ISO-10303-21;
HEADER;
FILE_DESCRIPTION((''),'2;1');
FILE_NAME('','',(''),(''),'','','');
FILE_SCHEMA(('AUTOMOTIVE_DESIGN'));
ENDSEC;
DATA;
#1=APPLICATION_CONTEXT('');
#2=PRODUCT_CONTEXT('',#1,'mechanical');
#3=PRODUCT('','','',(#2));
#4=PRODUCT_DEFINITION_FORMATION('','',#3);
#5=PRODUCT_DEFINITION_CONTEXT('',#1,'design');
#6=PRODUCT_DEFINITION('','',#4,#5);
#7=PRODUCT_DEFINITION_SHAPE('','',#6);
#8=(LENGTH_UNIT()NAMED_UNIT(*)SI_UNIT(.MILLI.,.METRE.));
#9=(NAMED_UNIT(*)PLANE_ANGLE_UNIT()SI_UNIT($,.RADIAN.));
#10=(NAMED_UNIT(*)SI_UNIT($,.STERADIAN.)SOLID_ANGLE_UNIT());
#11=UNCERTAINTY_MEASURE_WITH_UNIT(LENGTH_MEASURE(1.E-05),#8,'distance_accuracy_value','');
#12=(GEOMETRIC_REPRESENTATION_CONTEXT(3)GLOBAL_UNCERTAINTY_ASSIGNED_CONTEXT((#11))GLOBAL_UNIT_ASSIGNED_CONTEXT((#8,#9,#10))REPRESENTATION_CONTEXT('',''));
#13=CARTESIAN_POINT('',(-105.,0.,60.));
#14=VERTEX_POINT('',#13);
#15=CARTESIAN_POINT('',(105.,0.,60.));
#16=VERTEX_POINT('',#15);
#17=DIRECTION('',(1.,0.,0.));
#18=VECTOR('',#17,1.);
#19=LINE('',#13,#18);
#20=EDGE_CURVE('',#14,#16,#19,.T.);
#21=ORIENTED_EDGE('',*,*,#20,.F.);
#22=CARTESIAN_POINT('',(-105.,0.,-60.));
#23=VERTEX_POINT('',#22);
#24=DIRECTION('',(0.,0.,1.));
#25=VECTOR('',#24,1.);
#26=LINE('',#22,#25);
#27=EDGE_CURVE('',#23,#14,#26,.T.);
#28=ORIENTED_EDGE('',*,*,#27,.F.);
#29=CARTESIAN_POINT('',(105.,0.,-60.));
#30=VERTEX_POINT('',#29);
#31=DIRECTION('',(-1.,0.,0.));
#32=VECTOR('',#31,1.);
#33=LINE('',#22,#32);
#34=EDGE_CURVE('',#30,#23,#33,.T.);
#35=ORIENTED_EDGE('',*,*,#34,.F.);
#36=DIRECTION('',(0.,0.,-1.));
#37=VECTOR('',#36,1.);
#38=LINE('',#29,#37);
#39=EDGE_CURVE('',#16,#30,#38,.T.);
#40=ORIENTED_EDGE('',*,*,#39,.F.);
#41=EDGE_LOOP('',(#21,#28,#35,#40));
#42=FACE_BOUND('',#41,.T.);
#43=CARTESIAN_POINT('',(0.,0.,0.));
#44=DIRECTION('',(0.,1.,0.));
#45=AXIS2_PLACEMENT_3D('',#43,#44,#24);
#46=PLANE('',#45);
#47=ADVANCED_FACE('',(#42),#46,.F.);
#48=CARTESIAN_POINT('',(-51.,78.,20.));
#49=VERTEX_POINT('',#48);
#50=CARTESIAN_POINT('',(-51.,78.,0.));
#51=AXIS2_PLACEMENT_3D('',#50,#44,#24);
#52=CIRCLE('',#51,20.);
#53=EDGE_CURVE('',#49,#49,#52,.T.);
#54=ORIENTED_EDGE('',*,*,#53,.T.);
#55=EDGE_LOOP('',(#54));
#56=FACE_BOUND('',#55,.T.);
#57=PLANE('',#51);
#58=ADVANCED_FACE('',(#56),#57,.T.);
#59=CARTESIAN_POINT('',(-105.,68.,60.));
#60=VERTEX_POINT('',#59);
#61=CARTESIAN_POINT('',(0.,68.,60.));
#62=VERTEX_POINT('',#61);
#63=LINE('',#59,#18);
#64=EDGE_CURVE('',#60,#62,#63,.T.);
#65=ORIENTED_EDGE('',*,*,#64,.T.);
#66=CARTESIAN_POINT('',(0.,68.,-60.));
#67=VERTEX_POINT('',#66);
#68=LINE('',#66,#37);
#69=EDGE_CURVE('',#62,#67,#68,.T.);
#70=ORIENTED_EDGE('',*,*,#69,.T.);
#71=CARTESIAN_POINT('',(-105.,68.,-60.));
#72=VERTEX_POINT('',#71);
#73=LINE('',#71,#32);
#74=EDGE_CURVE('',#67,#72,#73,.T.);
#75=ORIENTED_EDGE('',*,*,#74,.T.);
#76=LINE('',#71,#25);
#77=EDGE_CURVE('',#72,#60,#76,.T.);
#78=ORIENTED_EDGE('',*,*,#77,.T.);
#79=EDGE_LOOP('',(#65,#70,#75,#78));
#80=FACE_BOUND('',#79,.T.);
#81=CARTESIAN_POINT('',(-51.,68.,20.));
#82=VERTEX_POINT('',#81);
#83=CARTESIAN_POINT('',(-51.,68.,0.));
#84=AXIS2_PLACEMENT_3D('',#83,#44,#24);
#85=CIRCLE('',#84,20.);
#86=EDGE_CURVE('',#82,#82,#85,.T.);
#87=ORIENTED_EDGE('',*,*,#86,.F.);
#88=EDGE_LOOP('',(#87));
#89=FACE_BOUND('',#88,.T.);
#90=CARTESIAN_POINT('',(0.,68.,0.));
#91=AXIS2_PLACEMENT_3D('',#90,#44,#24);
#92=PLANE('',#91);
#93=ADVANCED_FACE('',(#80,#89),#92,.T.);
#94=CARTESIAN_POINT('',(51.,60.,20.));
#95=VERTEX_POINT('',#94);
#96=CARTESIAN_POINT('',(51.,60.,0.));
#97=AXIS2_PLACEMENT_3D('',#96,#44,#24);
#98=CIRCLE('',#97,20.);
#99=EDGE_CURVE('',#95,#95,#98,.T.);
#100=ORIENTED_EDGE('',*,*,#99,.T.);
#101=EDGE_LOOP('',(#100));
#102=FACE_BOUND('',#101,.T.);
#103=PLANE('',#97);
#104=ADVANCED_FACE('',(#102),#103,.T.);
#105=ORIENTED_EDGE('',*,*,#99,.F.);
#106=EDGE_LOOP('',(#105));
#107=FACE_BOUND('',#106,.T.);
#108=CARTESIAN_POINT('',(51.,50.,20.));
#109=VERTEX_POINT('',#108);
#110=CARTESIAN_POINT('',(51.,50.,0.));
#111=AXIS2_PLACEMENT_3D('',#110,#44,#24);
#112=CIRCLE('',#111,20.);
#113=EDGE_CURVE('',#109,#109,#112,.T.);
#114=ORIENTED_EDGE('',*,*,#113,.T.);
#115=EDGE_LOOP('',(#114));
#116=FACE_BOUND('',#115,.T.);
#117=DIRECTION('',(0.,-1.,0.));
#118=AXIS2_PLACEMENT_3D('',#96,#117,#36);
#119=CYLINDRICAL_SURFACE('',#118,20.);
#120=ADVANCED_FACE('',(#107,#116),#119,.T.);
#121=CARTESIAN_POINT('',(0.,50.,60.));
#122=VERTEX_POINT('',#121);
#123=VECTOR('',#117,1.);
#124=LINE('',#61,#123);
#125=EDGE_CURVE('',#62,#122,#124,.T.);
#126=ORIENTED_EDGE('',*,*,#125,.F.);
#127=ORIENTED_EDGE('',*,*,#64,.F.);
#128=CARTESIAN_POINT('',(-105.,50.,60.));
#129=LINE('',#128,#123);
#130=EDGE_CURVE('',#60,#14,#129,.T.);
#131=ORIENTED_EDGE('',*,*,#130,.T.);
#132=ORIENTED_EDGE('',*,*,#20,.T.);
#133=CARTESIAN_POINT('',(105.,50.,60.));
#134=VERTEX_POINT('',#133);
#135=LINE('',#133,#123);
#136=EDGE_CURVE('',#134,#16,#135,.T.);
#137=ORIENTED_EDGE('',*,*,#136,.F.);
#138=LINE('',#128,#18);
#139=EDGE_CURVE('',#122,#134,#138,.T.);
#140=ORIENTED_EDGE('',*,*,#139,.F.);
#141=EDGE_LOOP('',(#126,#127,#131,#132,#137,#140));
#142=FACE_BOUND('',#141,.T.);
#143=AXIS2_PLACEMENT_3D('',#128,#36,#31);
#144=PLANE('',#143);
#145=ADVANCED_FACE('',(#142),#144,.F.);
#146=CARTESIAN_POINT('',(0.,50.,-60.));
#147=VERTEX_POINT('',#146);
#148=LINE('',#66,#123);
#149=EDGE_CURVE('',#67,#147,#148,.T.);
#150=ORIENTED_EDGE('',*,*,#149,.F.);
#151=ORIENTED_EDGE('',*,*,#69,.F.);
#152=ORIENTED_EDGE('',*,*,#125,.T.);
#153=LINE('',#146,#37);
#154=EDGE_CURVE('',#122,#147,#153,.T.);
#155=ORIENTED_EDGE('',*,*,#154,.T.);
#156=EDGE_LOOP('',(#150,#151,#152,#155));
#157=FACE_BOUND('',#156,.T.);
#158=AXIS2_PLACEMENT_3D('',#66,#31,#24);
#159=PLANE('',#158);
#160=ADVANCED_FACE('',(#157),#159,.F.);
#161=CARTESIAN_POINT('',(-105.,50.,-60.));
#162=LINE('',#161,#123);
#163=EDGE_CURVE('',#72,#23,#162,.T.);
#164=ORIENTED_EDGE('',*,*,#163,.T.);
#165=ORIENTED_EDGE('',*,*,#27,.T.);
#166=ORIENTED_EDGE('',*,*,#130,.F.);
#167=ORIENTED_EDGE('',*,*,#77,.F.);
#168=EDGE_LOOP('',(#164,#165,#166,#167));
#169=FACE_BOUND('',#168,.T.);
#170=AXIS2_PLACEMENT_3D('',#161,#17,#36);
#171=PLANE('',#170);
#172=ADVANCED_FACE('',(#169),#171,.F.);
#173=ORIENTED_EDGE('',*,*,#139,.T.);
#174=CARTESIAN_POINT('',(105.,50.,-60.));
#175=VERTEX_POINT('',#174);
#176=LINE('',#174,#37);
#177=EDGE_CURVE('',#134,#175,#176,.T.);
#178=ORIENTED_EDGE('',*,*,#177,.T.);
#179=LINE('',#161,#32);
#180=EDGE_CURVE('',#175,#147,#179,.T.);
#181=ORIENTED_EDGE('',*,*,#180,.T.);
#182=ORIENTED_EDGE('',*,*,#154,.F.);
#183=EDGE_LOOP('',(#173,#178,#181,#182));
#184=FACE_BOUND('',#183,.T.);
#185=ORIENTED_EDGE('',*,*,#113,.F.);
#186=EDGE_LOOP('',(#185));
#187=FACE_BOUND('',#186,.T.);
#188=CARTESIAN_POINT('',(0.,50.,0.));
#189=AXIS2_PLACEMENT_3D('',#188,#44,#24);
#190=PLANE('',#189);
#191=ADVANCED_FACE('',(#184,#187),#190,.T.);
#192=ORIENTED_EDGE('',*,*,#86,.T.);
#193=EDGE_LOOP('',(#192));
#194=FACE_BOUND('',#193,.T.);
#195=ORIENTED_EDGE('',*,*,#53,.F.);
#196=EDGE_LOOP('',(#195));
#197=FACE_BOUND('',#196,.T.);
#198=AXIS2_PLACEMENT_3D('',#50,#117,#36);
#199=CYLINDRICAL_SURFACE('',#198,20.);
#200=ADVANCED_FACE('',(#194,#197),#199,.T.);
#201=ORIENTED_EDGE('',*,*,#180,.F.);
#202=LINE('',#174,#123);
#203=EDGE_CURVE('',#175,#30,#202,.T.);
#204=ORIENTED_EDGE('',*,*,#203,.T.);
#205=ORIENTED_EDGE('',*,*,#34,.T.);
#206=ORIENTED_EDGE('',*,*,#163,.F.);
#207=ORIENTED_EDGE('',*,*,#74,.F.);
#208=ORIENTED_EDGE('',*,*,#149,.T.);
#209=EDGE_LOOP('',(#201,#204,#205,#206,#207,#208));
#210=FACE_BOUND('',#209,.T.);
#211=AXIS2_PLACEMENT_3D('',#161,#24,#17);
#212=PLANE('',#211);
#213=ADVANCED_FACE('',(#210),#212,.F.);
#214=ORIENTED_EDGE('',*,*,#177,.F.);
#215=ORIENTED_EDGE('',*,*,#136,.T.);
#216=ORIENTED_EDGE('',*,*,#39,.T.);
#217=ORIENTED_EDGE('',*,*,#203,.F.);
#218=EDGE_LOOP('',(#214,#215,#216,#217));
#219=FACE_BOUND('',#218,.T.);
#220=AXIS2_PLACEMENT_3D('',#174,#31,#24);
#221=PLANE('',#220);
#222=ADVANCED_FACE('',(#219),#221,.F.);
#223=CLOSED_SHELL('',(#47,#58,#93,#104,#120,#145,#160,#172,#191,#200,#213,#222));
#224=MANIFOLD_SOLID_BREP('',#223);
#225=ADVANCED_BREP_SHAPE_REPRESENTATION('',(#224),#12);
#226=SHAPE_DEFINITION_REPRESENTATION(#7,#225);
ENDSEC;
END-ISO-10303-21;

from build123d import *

# Parameters (mm, degrees)
SKETCH1_W           = 210
SKETCH1_H           = 120
BOSS_EXTRUDE1_DEPTH = 50
SKETCH2_W           = 105
SKETCH2_H           = 120
BOSS_EXTRUDE2_DEPTH = 18
SKETCH3_R           = 20
BOSS_EXTRUDE3_DEPTH = 10
SKETCH4_R           = 20
BOSS_EXTRUDE4_DEPTH = 10


with BuildPart() as part:
    # Sketch1 → Boss-Extrude1 (new body)
    with BuildSketch(Plane(origin=(0, 0, 0), x_dir=(1, 0, 0), z_dir=(0, 1, 0))):
        Rectangle(SKETCH1_W, SKETCH1_H)
    extrude(amount=BOSS_EXTRUDE1_DEPTH)

    # Sketch2 → Boss-Extrude2 (add)
    with BuildSketch(Plane(origin=(0, 50, 0), x_dir=(1, 0, 0), z_dir=(0, 1, 0))):
        with Locations((-52.5, 0)):
            Rectangle(SKETCH2_W, SKETCH2_H)
    extrude(amount=BOSS_EXTRUDE2_DEPTH)

    # Sketch3 → Boss-Extrude3 (add)
    with BuildSketch(Plane(origin=(0, 68, 0), x_dir=(1, 0, 0), z_dir=(0, 1, 0))):
        with Locations(Location((-51, 0, 0), (0, 0, 270))):
            Circle(SKETCH3_R)
    extrude(amount=BOSS_EXTRUDE3_DEPTH)

    # Sketch4 → Boss-Extrude4 (add)
    with BuildSketch(Plane(origin=(0, 50, 0), x_dir=(1, 0, 0), z_dir=(0, 1, 0))):
        with Locations(Location((51, 0, 0), (0, 0, 270))):
            Circle(SKETCH4_R)
    extrude(amount=BOSS_EXTRUDE4_DEPTH)


solid = part.part
